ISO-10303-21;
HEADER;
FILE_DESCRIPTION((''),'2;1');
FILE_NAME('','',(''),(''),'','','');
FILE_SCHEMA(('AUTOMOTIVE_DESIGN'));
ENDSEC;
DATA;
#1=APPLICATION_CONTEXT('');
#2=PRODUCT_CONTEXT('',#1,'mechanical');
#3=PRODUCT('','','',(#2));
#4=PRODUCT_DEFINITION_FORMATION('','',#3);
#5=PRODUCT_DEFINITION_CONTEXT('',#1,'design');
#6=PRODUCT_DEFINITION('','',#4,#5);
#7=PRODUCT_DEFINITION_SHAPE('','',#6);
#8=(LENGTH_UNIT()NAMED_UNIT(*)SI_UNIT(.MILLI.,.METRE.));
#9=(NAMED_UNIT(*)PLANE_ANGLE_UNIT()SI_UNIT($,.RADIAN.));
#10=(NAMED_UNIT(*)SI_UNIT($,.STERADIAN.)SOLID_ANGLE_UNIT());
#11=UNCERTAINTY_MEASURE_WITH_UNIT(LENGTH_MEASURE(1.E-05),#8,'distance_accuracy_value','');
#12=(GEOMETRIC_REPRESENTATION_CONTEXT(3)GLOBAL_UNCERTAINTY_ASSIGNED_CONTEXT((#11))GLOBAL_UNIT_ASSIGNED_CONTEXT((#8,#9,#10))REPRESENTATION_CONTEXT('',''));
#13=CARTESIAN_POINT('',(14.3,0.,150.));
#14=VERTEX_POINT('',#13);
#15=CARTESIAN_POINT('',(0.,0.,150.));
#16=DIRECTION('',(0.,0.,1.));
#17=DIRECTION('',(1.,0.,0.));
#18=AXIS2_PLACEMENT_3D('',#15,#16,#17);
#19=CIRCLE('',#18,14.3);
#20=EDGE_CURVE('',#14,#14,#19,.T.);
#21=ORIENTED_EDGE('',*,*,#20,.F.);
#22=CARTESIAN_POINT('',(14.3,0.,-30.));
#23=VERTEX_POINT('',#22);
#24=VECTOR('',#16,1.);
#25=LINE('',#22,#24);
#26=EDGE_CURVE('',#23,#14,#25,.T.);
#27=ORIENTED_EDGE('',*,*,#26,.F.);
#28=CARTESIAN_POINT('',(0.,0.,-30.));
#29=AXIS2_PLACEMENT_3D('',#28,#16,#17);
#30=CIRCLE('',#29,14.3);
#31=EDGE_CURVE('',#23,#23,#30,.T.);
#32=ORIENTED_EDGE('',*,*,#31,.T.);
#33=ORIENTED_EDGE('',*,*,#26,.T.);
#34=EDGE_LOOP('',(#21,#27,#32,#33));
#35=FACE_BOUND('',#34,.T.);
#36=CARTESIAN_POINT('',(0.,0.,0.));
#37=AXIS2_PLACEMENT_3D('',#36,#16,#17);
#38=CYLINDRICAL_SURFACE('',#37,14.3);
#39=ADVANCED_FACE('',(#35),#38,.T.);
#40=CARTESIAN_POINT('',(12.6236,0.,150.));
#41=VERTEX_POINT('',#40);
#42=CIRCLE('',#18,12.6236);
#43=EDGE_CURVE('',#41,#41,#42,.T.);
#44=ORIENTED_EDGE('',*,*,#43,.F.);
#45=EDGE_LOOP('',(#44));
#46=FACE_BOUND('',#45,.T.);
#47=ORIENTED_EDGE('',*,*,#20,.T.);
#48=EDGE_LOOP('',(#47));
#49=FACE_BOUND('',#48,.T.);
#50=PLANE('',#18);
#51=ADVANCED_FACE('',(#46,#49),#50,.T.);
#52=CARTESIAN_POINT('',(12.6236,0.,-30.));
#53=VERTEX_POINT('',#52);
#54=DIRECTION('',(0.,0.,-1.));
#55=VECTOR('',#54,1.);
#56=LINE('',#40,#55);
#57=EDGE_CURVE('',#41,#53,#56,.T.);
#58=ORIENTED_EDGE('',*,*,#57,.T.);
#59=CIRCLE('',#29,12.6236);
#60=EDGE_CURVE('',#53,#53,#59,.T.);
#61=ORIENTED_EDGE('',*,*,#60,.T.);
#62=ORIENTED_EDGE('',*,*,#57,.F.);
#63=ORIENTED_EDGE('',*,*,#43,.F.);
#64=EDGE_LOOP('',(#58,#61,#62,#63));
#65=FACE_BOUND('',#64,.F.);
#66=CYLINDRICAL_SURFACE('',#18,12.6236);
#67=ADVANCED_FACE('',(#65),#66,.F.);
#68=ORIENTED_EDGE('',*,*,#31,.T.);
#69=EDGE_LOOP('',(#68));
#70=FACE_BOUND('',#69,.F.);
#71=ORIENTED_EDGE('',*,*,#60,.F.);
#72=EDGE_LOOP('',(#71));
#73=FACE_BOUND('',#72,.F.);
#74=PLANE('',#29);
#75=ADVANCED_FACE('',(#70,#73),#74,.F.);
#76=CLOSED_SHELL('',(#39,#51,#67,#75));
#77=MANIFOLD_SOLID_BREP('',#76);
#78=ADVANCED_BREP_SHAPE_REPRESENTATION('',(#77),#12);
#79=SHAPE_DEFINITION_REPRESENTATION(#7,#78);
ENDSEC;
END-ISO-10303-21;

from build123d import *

# Parameters (mm, degrees)
F0_R          = 14.3
F1_DEPTH      = 150
F1_DEPTH_BACK = 30
F2_R          = 12.6236
F3_DEPTH      = 180.001


with BuildPart() as f1:
    # F0 (on Top) → F1 (new body, two sides)
    with BuildSketch(Plane.XY) as f1_sk:
        Circle(F0_R)
    extrude(amount=F1_DEPTH)
    extrude(f1_sk.sketch, amount=-F1_DEPTH_BACK)

    # F2 (on face) → F3 (cut, through all)
    with BuildSketch(Plane.XY.offset(150)):
        Circle(F2_R)
    extrude(amount=-F3_DEPTH, mode=Mode.SUBTRACT)


solid = f1.part
